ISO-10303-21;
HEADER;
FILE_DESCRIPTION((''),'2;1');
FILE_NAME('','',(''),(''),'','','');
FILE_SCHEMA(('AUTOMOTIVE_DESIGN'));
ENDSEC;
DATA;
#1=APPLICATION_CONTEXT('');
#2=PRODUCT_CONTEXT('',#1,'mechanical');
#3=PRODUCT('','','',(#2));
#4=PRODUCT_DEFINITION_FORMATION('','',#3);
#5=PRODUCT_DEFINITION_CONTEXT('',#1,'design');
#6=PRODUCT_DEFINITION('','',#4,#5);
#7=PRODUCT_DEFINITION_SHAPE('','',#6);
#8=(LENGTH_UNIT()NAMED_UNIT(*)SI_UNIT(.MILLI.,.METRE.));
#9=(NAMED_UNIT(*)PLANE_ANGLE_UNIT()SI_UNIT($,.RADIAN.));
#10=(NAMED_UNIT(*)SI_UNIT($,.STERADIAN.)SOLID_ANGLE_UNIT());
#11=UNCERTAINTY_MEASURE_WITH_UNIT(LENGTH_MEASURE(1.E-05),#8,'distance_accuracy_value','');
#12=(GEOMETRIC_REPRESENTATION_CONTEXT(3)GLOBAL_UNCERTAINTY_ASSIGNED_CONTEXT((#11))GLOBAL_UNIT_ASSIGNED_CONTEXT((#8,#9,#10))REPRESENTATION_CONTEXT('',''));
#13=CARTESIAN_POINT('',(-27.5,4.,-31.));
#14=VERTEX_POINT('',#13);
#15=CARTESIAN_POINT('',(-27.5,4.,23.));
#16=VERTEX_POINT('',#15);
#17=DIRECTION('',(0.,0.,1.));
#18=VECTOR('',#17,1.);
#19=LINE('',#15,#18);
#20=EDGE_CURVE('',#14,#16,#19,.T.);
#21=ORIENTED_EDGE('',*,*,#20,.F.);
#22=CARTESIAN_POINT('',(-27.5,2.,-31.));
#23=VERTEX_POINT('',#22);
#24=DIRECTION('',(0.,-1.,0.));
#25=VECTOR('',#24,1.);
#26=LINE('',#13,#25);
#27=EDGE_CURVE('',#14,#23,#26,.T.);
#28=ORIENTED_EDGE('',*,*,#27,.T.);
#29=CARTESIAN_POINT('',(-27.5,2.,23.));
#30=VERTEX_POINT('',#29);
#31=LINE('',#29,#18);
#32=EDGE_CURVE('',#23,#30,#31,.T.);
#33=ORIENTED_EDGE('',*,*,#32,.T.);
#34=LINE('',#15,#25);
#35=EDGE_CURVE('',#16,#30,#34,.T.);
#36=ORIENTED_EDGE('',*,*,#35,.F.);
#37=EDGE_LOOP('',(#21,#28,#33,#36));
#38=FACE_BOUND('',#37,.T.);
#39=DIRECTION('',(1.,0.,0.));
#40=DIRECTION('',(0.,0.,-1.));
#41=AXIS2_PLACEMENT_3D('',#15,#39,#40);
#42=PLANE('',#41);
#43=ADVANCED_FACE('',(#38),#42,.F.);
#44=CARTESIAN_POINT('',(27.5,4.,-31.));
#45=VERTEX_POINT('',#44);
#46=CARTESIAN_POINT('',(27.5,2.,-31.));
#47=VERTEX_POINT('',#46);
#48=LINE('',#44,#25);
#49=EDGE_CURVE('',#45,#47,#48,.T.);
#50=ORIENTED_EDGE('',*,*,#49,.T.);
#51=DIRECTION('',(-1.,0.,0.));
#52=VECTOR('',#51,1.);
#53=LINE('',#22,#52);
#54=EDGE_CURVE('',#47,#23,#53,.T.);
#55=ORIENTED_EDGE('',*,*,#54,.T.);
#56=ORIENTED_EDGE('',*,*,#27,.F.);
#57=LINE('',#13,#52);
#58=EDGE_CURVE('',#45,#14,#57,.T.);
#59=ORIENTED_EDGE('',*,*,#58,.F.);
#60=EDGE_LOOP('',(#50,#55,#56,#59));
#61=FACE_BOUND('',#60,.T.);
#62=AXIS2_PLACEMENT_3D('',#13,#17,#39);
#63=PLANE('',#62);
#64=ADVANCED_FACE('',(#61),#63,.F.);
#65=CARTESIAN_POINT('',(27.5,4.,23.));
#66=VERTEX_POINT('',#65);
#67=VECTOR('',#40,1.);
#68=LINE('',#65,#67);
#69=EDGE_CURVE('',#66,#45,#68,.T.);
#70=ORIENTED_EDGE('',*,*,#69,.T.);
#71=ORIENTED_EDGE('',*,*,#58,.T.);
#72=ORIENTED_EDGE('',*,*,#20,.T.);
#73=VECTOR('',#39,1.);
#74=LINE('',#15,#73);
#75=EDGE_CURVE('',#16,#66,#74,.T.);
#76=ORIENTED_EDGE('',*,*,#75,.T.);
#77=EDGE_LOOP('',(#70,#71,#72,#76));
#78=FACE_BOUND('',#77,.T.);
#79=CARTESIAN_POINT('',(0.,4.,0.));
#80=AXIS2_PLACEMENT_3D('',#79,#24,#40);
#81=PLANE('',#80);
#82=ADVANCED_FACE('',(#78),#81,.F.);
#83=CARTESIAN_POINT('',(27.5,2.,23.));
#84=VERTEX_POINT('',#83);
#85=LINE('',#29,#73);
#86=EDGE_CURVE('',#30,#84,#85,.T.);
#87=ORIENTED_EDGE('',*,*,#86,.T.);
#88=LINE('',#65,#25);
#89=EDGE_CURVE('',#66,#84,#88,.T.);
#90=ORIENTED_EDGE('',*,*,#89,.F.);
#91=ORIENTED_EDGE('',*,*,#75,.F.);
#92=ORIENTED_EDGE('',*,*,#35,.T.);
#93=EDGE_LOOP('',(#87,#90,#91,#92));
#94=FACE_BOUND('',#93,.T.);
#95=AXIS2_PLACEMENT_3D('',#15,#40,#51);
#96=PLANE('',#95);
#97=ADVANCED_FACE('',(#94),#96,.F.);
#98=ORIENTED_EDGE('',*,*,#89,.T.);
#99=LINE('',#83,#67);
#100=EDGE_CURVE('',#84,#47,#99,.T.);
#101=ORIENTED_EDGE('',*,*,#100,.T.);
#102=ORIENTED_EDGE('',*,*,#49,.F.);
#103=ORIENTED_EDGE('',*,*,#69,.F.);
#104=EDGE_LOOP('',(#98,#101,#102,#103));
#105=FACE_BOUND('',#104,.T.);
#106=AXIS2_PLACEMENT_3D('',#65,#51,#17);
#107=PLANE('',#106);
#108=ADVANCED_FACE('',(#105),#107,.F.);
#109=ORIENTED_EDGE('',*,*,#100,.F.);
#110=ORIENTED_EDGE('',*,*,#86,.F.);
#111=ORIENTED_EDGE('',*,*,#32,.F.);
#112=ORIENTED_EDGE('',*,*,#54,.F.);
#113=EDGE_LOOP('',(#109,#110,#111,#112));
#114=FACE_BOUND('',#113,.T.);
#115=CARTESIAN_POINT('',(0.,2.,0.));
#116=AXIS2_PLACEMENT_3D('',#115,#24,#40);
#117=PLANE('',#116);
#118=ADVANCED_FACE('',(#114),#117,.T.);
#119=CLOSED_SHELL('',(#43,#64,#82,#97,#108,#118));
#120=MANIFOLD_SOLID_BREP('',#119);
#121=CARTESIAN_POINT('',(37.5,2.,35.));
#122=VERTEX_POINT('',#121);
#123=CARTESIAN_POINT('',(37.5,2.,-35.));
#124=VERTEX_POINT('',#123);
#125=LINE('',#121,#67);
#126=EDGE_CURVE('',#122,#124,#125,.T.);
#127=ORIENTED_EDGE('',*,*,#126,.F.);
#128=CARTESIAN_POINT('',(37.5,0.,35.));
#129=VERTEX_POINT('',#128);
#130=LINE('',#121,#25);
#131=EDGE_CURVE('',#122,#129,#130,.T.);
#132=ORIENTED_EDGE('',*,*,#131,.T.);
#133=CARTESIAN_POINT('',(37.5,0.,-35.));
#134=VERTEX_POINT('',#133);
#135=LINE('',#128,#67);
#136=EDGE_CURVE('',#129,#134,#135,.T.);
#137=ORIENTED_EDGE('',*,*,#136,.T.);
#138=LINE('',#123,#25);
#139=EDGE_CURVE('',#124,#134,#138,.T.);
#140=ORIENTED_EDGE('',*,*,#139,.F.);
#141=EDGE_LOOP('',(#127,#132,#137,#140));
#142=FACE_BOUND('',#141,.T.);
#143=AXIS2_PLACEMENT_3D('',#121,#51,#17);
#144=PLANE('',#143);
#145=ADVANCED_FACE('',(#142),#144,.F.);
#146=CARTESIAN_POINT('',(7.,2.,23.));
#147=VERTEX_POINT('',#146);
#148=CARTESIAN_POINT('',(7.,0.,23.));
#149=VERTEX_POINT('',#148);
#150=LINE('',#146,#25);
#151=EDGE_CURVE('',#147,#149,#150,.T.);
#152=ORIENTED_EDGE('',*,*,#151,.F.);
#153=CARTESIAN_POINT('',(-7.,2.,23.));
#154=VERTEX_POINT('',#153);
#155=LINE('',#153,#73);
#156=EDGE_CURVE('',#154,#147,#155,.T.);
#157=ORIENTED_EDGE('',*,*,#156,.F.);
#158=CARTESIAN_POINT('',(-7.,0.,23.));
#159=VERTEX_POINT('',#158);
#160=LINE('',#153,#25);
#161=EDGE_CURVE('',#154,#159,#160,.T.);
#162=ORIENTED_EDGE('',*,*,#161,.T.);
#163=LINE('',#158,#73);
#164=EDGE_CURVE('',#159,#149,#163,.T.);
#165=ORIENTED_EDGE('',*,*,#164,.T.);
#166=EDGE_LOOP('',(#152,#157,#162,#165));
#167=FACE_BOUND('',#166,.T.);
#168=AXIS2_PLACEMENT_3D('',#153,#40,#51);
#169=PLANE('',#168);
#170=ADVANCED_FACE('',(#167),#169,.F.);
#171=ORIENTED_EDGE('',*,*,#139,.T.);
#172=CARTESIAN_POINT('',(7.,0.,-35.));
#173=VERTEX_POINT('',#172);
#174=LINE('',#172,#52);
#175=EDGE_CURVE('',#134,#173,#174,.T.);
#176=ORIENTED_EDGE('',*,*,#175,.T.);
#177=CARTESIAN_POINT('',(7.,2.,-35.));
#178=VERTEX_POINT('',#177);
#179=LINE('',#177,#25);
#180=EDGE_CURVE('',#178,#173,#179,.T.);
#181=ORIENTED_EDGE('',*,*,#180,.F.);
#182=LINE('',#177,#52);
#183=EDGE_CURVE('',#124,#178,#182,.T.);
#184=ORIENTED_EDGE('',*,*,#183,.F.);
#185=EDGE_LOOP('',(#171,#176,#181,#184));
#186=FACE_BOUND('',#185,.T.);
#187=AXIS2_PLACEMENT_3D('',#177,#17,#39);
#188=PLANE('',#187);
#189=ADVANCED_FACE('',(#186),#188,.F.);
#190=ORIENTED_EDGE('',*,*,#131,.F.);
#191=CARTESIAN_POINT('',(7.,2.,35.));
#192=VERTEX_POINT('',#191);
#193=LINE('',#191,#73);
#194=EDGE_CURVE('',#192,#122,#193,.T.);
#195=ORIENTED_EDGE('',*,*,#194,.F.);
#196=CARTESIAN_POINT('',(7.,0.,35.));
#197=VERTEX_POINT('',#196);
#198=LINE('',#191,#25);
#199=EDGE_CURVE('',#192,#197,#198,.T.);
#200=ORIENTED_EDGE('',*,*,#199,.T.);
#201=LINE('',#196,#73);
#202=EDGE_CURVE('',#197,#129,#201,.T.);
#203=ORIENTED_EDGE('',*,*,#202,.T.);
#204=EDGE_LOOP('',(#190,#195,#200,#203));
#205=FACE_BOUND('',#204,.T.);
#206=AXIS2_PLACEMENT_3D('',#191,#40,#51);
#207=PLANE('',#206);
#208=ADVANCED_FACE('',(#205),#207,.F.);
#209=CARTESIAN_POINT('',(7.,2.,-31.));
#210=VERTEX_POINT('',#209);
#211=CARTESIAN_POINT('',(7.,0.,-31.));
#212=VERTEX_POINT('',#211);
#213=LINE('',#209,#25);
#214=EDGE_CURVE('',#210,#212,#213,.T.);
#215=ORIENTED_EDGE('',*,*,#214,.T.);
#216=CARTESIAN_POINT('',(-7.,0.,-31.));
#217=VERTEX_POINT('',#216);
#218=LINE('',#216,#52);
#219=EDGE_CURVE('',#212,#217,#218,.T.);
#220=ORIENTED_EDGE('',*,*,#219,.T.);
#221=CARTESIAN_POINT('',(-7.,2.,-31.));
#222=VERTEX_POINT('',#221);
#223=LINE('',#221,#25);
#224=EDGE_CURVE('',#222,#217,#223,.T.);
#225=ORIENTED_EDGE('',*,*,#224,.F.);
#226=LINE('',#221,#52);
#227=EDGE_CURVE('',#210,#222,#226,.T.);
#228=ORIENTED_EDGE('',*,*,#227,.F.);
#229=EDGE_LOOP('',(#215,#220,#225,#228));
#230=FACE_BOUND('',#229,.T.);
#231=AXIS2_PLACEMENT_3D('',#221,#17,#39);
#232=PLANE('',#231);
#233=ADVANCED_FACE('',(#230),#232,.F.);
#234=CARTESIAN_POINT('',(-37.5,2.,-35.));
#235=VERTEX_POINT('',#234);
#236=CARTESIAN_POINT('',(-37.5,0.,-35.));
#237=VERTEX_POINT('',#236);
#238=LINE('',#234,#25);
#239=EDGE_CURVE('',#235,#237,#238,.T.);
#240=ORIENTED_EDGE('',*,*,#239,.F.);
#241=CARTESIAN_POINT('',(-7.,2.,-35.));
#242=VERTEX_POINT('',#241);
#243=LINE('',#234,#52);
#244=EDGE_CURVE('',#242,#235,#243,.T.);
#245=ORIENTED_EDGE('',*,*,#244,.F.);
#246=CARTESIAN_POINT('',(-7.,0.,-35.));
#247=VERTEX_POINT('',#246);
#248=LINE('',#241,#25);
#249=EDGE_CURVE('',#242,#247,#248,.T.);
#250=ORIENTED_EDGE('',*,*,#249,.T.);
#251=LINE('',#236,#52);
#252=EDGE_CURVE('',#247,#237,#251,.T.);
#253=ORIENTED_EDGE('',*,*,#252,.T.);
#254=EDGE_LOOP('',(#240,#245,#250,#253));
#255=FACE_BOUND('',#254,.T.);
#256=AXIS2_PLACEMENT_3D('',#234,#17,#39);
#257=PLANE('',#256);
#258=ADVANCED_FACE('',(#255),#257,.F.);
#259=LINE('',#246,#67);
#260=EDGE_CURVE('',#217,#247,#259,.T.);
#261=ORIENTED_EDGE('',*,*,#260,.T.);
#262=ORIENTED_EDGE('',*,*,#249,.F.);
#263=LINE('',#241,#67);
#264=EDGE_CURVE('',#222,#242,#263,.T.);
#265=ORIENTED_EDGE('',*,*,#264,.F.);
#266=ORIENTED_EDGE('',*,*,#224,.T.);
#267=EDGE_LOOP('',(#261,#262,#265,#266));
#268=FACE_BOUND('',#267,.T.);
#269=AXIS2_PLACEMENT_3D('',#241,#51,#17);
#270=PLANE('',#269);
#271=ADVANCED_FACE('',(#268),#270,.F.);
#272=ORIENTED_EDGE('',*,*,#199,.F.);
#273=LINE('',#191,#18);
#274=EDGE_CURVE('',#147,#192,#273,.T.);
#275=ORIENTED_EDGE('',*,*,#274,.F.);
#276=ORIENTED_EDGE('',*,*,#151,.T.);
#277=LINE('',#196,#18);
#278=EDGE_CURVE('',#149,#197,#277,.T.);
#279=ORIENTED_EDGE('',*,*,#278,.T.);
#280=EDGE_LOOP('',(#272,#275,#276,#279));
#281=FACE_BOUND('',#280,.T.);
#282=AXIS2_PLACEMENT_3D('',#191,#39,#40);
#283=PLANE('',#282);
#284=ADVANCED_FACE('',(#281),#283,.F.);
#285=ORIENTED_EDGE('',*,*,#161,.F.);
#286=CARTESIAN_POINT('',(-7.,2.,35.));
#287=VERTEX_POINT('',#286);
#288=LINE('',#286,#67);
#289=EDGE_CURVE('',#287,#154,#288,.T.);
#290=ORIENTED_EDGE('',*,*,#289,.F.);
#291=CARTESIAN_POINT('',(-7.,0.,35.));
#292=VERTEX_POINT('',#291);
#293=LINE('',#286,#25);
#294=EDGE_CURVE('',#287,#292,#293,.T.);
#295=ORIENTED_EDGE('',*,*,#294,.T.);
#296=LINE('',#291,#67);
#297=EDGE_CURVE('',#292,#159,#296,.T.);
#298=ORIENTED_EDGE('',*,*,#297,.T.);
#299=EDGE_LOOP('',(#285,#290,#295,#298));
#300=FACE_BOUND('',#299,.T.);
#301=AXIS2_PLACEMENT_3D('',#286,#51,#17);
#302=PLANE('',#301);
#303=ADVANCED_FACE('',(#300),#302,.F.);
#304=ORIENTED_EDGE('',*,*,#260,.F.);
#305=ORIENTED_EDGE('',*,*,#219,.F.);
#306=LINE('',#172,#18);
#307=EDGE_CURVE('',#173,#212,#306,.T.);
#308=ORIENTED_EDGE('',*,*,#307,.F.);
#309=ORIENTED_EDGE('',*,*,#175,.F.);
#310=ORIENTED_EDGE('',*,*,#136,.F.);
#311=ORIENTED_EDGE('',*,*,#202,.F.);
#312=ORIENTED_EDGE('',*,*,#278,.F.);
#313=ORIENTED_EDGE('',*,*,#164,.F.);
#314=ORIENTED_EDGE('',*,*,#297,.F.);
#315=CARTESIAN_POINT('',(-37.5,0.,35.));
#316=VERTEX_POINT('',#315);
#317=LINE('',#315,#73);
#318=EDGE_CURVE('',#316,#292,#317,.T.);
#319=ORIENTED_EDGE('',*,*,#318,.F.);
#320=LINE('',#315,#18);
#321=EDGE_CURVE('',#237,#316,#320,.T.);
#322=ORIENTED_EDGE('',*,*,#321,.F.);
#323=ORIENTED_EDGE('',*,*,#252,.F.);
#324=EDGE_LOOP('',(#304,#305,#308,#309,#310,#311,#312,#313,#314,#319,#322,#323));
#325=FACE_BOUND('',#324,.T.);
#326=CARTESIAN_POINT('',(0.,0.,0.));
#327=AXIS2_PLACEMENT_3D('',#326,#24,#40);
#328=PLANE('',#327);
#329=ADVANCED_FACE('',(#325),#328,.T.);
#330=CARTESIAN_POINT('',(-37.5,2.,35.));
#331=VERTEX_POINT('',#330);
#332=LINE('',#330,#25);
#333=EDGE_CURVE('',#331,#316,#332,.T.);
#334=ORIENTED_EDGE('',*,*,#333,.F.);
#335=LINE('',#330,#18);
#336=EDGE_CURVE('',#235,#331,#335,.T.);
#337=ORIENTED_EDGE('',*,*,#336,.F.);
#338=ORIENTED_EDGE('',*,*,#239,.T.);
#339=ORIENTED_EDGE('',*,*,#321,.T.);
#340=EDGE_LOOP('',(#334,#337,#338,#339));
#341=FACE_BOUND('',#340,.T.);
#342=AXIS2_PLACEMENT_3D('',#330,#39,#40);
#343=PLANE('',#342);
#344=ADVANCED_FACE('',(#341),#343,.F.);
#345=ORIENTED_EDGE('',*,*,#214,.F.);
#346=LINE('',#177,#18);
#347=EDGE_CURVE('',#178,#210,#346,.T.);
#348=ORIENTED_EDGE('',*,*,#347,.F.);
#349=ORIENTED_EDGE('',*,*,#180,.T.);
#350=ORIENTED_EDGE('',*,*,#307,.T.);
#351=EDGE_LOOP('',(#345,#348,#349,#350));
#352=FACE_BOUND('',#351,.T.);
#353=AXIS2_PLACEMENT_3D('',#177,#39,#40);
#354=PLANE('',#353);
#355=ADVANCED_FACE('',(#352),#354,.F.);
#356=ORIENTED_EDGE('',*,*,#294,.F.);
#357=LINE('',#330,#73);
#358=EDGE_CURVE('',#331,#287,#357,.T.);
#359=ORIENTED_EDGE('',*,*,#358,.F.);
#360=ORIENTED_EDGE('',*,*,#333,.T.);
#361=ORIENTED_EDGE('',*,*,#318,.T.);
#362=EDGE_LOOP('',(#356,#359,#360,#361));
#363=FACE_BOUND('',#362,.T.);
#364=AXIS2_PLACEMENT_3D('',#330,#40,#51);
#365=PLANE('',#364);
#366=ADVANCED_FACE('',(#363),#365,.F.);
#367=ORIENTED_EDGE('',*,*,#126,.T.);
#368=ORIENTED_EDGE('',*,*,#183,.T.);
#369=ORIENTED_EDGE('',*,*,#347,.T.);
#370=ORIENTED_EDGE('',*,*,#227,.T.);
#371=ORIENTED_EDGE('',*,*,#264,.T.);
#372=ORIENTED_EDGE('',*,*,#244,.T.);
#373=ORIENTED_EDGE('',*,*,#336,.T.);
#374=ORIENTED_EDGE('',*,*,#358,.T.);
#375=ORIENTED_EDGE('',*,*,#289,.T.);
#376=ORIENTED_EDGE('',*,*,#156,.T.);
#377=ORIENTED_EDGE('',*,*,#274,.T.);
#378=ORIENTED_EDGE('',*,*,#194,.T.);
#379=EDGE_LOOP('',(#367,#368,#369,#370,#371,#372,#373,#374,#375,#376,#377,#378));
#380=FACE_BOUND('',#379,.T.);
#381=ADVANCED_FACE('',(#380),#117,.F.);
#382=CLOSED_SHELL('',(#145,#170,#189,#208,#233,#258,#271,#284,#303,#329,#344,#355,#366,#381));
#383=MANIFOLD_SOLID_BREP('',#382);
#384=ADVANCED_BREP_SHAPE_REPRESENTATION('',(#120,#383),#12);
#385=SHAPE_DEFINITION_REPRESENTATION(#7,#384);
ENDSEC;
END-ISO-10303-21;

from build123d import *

# Parameters (mm, degrees)
BOSS_EXTRUDE1_DEPTH = 2
SKETCH2_W           = 55
SKETCH2_H           = 54
BOSS_EXTRUDE2_DEPTH = 2


with BuildPart() as part:
    # Sketch1 → Boss-Extrude1 (new body)
    with BuildSketch(Plane(origin=(0, 0, 0), x_dir=(1, 0, 0), z_dir=(0, 1, 0))):
        Polygon((7, 35), (37.5, 35), (37.5, -35), (7, -35), (7, -23), (-7, -23), (-7, -35), (-37.5, -35), (-37.5, 35), (-7, 35), (-7, 31), (7, 31), align=None)
    extrude(amount=BOSS_EXTRUDE1_DEPTH)


with BuildPart() as body_2:
    # Sketch2 → Boss-Extrude2 (new body)
    with BuildSketch(Plane(origin=(0, 2, 0), x_dir=(1, 0, 0), z_dir=(0, 1, 0))):
        with Locations((0, 4)):
            Rectangle(SKETCH2_W, SKETCH2_H)
    extrude(amount=BOSS_EXTRUDE2_DEPTH)


solid = Compound([part.part, body_2.part])
